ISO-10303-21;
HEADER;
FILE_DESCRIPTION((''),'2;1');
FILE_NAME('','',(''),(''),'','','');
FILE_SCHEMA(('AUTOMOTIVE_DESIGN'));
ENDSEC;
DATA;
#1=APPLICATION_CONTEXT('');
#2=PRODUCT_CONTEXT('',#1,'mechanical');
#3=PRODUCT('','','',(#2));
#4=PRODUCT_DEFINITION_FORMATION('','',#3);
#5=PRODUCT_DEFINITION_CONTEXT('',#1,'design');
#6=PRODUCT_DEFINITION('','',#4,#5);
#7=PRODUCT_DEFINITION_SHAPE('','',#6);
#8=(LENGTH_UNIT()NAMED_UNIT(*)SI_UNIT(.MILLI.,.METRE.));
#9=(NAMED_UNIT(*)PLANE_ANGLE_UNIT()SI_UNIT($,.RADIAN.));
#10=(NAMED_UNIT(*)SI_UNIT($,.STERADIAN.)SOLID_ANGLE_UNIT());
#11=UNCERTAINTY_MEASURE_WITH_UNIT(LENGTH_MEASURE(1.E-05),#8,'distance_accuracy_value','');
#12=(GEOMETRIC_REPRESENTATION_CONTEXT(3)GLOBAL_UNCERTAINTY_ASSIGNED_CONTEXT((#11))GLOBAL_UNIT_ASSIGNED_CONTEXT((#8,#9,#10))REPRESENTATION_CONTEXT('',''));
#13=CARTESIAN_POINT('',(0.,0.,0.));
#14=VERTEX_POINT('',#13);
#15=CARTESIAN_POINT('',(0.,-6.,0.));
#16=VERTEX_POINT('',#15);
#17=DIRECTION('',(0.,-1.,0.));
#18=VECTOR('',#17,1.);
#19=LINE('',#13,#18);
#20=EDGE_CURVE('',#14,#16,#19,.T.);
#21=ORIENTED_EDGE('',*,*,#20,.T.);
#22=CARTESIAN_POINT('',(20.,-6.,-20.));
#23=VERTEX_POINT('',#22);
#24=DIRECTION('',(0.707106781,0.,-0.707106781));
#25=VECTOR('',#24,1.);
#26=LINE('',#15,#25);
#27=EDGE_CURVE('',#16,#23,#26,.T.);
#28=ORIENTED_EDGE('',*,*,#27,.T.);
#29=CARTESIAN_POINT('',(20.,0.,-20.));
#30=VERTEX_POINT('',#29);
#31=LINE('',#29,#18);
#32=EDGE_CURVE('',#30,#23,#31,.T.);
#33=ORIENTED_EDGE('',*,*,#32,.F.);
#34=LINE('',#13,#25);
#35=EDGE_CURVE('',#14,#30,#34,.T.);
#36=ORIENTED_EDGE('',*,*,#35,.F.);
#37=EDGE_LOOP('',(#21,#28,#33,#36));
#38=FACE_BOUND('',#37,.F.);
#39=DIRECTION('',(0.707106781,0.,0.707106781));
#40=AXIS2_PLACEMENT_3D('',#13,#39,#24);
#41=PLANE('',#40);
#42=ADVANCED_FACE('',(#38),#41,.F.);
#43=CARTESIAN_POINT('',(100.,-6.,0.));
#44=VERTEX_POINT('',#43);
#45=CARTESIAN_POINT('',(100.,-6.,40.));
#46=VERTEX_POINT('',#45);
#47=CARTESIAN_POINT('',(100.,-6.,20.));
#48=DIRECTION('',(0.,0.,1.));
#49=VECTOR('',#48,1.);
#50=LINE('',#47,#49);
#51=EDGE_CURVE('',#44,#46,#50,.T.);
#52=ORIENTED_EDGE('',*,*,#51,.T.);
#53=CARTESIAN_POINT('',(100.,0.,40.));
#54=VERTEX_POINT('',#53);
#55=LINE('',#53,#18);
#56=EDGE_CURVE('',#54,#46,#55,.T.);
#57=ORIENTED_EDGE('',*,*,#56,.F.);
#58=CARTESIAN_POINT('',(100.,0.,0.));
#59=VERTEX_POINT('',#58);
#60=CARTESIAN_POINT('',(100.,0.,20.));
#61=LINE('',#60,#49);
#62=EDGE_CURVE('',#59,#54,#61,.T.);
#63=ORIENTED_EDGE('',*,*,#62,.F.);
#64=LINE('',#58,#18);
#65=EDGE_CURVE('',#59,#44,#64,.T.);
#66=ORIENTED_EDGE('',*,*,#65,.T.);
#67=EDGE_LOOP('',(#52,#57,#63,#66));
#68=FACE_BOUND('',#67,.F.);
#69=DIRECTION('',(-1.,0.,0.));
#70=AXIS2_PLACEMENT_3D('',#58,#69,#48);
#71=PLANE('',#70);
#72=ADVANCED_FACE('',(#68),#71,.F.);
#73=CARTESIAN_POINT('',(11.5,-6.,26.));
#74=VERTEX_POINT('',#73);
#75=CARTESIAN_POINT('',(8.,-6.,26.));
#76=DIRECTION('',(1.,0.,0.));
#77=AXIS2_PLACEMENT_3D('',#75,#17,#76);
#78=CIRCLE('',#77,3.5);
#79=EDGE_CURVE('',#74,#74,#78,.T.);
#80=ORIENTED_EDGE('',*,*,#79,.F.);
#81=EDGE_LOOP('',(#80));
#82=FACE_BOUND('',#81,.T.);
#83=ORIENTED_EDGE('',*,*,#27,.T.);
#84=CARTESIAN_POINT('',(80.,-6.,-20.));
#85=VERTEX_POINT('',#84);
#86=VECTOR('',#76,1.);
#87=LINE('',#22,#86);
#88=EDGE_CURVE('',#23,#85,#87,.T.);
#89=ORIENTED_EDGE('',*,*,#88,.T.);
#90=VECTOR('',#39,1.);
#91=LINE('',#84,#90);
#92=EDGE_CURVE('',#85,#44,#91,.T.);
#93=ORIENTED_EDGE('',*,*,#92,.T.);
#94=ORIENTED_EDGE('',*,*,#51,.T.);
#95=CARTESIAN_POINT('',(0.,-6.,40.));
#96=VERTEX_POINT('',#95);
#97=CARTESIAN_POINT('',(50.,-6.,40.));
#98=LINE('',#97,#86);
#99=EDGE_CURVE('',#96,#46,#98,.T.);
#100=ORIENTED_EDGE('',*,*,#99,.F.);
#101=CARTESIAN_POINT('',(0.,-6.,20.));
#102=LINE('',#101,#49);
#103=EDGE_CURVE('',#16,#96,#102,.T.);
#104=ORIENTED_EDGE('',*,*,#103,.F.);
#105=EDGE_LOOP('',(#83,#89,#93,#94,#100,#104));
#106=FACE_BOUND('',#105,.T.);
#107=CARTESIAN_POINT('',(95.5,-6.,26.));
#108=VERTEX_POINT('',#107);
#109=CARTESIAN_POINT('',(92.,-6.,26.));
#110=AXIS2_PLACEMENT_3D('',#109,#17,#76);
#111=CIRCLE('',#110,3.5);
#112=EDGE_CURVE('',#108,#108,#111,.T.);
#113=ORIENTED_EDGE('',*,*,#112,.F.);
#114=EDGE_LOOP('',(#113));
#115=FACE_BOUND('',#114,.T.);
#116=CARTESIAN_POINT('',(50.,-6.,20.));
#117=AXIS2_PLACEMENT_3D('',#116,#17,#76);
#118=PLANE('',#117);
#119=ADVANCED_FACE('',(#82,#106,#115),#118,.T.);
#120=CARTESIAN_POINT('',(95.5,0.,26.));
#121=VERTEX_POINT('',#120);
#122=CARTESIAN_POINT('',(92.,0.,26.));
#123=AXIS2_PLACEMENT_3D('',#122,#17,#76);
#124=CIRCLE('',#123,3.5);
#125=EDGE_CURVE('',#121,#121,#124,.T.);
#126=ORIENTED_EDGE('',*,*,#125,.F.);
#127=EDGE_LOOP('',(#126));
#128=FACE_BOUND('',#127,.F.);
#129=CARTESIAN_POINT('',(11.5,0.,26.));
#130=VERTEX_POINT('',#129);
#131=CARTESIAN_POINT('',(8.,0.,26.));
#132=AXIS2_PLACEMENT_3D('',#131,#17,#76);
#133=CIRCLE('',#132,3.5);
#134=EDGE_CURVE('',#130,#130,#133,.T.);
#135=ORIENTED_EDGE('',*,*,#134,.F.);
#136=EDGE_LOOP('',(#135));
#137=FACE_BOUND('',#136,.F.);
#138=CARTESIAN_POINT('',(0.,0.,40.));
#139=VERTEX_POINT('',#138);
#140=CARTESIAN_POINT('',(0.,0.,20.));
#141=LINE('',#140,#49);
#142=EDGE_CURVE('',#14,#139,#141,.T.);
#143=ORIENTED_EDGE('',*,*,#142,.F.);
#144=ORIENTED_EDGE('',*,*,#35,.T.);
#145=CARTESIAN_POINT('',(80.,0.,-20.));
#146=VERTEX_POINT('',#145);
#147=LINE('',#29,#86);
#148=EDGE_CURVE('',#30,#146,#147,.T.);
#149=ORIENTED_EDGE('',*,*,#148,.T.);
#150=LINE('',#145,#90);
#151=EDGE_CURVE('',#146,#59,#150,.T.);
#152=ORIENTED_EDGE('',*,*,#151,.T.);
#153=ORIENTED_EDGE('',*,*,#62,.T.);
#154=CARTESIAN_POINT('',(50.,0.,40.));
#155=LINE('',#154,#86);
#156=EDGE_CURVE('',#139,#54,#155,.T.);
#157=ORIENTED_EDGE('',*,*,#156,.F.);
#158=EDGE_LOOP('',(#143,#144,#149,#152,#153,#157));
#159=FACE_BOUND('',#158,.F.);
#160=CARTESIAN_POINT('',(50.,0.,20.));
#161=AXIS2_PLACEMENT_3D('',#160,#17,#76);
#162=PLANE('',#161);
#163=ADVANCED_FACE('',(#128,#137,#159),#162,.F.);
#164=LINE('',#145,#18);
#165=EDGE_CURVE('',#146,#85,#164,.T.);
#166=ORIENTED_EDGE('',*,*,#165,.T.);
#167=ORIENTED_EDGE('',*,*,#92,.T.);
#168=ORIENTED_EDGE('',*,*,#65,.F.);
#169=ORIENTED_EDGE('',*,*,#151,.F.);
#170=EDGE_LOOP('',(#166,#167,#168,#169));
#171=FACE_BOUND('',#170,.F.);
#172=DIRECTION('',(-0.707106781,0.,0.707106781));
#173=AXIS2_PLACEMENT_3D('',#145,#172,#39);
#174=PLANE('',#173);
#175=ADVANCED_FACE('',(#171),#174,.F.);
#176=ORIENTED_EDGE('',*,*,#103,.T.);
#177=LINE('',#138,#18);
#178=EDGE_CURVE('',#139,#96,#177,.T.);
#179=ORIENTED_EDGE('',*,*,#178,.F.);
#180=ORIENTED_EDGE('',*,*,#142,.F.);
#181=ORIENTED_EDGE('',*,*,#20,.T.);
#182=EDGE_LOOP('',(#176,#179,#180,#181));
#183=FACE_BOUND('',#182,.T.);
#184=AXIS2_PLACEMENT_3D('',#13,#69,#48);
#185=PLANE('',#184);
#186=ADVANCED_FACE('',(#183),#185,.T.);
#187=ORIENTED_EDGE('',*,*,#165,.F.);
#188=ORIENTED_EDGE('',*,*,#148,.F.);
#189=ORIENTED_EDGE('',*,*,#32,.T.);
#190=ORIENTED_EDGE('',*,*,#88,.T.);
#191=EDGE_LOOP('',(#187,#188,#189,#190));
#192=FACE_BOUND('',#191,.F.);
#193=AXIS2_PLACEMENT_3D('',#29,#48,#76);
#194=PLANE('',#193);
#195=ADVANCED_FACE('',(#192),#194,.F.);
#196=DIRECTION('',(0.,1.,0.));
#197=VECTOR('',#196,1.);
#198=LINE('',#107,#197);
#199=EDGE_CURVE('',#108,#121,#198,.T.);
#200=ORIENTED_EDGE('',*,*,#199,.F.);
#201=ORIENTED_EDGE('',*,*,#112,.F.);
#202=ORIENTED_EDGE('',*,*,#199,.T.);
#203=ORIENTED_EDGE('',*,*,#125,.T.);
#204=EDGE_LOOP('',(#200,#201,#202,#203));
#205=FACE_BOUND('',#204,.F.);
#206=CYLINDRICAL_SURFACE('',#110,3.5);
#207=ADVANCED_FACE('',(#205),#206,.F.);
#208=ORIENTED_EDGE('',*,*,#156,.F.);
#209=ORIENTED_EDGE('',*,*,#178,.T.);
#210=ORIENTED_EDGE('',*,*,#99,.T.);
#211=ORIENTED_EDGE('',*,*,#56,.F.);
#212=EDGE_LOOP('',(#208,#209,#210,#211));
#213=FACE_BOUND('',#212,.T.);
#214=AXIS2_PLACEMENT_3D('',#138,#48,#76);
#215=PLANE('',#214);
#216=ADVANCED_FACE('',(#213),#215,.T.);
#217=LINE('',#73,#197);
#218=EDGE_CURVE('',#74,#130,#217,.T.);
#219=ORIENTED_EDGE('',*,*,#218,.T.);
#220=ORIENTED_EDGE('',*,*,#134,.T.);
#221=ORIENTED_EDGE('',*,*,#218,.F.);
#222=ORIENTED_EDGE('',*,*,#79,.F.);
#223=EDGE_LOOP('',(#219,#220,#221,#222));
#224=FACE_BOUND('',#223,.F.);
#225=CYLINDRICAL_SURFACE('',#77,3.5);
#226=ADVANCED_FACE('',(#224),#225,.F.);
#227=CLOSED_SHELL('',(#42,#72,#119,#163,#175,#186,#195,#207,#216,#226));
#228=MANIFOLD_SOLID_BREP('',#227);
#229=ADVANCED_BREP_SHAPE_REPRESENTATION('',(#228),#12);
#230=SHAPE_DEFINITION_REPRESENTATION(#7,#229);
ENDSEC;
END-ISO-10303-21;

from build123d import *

# Parameters (mm, degrees)
F0_W     = 100
F0_H     = 40
F1_DEPTH = 6
F2_R     = 3.5
F3_DEPTH = 6.001


with BuildPart() as f1:
    # F0 (on Front) → F1 (new body)
    with BuildSketch(Plane.XZ):
        with Locations((50, 20)):
            Rectangle(F0_W, F0_H)
        Polygon((100, 0), (0, 0), (20, -20), (80, -20), align=None)
    extrude(amount=F1_DEPTH)

    # F2 (on face) → F3 (cut, through all)
    with BuildSketch(Plane.XZ.offset(6)):
        with Locations((8, 26)):
            Circle(F2_R)
        with Locations((92, 26)):
            Circle(F2_R)
    extrude(amount=-F3_DEPTH, mode=Mode.SUBTRACT)


solid = f1.part
